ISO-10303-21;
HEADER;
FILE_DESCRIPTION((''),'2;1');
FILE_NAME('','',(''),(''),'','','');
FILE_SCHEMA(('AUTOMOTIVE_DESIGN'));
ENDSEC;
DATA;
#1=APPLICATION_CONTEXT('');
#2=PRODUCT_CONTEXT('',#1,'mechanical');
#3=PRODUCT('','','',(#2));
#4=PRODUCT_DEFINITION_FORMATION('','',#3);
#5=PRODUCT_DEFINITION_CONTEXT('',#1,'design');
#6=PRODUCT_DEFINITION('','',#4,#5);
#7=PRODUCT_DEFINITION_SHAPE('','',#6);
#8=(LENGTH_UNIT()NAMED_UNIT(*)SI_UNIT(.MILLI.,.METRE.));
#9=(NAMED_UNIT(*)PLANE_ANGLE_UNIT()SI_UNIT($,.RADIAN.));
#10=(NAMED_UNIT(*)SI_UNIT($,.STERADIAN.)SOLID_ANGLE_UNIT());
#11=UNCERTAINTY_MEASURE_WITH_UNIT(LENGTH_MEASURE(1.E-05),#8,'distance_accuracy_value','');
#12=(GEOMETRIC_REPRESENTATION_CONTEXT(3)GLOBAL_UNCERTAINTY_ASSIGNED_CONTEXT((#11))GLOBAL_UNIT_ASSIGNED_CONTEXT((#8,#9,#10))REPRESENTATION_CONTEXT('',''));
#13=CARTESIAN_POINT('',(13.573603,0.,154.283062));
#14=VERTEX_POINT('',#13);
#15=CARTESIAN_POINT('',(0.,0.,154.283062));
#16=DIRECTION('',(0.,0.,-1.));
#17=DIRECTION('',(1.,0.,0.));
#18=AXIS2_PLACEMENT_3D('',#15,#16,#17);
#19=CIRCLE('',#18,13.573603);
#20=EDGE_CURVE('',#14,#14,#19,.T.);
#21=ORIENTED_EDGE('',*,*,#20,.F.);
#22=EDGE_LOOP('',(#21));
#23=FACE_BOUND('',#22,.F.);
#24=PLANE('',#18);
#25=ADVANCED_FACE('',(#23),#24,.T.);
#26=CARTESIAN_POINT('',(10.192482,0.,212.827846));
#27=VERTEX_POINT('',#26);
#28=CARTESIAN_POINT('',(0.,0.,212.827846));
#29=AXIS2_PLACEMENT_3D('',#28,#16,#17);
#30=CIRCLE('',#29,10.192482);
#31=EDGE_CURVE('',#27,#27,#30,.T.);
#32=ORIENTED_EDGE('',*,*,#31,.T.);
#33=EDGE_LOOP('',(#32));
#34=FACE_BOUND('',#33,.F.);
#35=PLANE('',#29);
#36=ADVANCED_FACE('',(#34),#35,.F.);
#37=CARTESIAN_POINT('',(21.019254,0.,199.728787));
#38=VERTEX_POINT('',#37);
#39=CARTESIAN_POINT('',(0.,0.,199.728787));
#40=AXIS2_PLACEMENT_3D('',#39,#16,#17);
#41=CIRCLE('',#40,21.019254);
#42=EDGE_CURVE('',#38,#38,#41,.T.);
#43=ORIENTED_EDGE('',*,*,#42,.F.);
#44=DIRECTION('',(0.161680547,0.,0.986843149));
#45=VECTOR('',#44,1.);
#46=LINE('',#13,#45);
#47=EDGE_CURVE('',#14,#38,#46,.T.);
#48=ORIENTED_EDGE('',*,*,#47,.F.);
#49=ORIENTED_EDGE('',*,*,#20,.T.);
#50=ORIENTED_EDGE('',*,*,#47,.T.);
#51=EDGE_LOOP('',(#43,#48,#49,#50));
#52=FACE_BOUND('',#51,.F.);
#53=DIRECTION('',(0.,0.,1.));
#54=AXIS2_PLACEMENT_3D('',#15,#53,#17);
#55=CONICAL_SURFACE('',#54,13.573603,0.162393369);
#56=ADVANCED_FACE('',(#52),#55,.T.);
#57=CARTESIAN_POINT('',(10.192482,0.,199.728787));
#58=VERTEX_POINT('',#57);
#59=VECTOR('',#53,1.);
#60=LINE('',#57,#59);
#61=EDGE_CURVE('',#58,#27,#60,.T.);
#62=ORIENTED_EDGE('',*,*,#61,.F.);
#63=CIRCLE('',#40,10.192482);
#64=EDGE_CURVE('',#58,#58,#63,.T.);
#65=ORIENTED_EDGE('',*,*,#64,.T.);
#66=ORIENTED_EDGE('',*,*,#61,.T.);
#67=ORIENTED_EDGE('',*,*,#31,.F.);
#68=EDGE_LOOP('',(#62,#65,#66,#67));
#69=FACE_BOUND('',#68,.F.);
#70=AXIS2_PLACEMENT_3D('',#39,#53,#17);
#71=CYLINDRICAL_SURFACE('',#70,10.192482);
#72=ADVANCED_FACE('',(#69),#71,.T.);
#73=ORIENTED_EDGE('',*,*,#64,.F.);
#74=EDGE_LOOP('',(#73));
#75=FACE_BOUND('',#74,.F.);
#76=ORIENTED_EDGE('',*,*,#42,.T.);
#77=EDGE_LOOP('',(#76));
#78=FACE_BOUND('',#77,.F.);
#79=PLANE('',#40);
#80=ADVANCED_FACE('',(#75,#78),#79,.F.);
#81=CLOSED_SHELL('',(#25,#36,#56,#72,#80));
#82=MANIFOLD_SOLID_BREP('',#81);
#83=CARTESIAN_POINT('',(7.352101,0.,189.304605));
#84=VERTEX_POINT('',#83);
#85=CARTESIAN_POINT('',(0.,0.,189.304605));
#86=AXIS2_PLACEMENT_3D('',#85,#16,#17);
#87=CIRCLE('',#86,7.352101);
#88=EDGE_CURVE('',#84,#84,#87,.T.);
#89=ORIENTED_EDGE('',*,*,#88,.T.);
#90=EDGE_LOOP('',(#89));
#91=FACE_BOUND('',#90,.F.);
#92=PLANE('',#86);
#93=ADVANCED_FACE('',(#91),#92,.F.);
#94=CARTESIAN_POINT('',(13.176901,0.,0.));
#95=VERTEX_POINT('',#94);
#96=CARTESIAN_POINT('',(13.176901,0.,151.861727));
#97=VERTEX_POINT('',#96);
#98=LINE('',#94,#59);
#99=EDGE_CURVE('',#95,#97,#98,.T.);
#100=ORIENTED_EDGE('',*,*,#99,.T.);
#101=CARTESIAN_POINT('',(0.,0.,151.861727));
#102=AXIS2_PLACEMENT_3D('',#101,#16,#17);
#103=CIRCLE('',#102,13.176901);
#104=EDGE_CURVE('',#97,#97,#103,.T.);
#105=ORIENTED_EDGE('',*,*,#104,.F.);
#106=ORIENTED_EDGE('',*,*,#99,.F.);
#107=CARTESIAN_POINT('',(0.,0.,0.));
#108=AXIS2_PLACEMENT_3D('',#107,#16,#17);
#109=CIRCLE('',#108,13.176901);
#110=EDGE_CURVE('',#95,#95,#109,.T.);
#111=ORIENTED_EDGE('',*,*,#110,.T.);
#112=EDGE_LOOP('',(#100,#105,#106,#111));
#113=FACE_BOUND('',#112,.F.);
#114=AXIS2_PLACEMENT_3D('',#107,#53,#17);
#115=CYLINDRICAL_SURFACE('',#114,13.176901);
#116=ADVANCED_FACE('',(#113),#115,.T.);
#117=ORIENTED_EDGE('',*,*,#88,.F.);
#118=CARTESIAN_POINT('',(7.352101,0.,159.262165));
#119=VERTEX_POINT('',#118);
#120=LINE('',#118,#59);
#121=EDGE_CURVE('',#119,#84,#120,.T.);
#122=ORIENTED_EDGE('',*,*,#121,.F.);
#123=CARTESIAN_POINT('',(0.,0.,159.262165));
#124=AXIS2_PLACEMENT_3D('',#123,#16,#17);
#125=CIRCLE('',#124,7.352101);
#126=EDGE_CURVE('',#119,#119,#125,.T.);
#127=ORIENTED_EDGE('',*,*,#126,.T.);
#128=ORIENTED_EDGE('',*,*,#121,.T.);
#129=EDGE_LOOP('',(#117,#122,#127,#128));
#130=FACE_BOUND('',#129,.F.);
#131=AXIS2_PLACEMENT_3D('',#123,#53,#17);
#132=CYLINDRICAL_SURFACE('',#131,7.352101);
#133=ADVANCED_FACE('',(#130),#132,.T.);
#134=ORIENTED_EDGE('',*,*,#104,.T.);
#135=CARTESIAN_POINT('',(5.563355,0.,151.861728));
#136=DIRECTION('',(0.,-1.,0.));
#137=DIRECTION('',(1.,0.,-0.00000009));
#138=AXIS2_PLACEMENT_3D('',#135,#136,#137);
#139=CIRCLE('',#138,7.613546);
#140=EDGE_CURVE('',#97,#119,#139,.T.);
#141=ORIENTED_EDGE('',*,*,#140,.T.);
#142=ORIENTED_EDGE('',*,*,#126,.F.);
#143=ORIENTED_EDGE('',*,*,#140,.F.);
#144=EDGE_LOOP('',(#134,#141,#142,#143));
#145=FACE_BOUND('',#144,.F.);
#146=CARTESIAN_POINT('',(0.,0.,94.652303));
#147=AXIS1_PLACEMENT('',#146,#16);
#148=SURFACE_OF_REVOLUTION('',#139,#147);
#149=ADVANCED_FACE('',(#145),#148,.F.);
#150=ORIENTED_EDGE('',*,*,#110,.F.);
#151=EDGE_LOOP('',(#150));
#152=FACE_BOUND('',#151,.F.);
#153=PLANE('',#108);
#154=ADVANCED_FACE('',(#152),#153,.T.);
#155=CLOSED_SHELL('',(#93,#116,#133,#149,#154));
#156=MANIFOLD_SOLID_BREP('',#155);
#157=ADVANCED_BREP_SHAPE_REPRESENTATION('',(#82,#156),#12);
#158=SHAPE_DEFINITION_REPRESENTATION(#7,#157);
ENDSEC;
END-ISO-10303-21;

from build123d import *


with BuildPart() as f1:
    # F0 (on Front) → F1 (revolve)
    with BuildSketch(Plane.XZ):
        with BuildLine():
            Line((0, 189.304605), (0, 0))
            Line((0, 0), (13.176901, 0))
            Line((13.176901, 0), (13.176901, 151.861727))
            ThreePointArc((13.176901, 151.861727), (11.546029, 156.570623), (7.352101, 159.262165))
            Line((7.352101, 159.262165), (7.352101, 189.304605))
            Line((7.352101, 189.304605), (0, 189.304605))
        make_face()
    revolve(axis=Axis((0, 0, 94.652303), (0, 0, -1)))


with BuildPart() as f3:
    # F2 (on Front) → F3 (revolve)
    with BuildSketch(Plane.XZ):
        Polygon((0, 154.283062), (13.573603, 154.283062), (21.019254, 199.728787), (10.192482, 199.728787), (10.192482, 212.827846), (0, 212.827846), align=None)
    revolve(axis=Axis((0, 0, 183.555454), (0, 0, -1)))


solid = Compound([f1.part, f3.part])
